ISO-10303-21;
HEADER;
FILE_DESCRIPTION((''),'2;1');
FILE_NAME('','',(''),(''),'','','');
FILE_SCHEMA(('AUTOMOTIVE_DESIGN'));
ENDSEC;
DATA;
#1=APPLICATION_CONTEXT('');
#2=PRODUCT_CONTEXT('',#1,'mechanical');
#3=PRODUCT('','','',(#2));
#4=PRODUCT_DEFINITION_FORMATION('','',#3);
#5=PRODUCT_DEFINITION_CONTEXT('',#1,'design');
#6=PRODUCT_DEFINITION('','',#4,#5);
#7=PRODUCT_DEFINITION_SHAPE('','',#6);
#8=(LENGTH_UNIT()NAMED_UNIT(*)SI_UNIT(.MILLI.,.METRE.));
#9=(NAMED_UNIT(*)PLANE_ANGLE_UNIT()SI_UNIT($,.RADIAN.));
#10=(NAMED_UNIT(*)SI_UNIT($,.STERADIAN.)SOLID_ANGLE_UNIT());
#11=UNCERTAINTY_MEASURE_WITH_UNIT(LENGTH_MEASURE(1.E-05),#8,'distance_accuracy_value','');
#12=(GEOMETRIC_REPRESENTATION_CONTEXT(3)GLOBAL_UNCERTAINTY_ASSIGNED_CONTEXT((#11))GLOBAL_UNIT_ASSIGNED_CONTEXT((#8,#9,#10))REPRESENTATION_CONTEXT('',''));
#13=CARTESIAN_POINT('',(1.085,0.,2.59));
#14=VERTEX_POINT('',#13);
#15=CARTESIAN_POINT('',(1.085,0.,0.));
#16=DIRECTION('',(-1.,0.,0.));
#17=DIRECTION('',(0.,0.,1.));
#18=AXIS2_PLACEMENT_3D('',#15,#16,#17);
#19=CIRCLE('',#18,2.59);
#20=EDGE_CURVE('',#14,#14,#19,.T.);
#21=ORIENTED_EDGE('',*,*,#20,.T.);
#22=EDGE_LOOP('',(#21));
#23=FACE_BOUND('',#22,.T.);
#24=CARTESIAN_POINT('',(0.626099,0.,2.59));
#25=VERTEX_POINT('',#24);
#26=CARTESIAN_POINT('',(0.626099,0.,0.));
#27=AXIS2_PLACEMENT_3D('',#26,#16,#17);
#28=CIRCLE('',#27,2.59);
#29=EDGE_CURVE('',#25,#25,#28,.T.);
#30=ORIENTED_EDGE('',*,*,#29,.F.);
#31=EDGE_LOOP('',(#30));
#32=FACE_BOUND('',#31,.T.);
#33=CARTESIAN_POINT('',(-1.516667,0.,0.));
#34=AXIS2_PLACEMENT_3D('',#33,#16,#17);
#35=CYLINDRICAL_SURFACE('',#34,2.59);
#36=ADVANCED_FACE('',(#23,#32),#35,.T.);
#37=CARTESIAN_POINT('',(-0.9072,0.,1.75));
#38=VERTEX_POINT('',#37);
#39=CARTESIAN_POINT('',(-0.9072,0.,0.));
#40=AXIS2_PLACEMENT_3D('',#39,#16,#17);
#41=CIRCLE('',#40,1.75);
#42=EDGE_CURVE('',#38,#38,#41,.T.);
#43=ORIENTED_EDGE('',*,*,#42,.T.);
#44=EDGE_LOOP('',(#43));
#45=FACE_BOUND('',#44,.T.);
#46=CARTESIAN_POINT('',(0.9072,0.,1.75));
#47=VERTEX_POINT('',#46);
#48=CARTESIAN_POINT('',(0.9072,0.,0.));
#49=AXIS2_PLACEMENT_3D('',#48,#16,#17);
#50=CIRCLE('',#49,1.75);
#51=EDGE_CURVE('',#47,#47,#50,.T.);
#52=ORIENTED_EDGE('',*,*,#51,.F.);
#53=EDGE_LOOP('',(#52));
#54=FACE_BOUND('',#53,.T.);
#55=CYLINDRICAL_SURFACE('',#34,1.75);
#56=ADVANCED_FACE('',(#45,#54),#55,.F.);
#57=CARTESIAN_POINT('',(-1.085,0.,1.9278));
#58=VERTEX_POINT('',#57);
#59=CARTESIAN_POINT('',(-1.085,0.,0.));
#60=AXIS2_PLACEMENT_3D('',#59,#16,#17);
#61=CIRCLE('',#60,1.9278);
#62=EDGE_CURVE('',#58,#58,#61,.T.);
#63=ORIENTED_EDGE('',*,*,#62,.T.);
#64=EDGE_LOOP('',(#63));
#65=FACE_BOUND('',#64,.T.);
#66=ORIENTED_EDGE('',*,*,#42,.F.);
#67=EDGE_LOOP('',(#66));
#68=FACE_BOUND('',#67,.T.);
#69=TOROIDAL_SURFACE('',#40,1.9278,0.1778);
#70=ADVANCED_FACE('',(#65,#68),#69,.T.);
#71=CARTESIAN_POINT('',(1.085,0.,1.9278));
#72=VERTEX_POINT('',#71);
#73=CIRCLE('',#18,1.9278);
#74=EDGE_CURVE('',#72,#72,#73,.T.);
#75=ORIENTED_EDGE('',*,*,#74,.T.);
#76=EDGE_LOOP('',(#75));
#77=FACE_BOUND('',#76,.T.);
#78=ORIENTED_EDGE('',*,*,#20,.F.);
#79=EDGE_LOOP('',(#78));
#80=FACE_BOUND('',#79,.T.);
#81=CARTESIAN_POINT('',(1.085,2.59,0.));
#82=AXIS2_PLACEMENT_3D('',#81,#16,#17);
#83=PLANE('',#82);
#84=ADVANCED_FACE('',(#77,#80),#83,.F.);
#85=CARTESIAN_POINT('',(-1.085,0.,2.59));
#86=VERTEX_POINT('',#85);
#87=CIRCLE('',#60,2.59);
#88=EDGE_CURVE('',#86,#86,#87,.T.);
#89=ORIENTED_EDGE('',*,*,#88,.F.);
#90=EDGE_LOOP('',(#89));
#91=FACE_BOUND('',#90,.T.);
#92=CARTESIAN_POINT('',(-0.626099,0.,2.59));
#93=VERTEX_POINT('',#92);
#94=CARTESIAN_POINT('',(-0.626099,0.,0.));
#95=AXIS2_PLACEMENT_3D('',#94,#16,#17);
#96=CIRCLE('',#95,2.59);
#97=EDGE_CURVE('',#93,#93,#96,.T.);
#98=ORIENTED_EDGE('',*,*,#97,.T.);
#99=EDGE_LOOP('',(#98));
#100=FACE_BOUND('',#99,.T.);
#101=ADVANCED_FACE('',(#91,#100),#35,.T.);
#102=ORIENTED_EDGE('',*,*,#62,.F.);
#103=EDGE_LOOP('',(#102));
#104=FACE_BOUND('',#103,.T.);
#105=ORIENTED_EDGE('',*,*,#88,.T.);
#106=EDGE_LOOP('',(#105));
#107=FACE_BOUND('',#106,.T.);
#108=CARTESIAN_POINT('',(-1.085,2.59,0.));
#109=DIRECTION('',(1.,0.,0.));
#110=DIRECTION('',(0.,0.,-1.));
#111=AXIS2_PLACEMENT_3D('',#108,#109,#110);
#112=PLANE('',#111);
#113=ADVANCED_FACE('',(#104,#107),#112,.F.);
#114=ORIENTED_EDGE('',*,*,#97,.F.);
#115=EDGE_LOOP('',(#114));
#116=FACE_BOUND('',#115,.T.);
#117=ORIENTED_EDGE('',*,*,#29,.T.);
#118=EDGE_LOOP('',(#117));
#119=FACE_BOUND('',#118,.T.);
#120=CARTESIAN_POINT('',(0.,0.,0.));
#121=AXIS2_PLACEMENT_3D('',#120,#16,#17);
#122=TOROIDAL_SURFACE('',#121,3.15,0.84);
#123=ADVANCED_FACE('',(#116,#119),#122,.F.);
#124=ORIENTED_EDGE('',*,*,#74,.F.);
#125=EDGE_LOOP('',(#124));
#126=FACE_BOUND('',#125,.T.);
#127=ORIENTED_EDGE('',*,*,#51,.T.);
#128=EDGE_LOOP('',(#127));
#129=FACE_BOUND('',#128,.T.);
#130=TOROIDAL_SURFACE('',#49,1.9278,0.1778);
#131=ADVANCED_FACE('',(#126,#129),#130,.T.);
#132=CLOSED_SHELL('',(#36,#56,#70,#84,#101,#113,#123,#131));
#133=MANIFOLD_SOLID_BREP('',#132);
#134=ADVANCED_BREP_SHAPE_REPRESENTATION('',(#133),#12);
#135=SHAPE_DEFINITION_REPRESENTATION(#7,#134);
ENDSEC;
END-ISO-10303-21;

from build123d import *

# Parameters (mm, degrees)
SCALE1_SCALE = 0.07


with BuildPart() as part:
    # Sketch1 → Revolve1 (revolve)
    with BuildSketch(Plane.XY, mode=Mode.PRIVATE) as revolve1_sk:
        with BuildLine():
            Line((-15.5, 37), (-8.94427191, 37))
            ThreePointArc((-8.94427191, 37), (0, 33), (8.94427191, 37))
            Line((8.94427191, 37), (15.5, 37))
            Line((15.5, 37), (15.5, 27.54))
            ThreePointArc((15.5, 27.54), (14.756051224, 25.743948776), (12.96, 25))
            Line((12.96, 25), (-12.96, 25))
            ThreePointArc((-12.96, 25), (-14.756051224, 25.743948776), (-15.5, 27.54))
            Line((-15.5, 27.54), (-15.5, 37))
        make_face()
    revolve(revolve1_sk.sketch.rotate(Axis((-21.666666667, 0, 0), (1, 0, 0)), 90), axis=Axis((-21.666666667, 0, 0), (1, 0, 0)))


with BuildPart() as part_1:
    # Scale1: scaled about (0, 0, 0)
    add(part.part.scale(SCALE1_SCALE))


solid = part_1.part
